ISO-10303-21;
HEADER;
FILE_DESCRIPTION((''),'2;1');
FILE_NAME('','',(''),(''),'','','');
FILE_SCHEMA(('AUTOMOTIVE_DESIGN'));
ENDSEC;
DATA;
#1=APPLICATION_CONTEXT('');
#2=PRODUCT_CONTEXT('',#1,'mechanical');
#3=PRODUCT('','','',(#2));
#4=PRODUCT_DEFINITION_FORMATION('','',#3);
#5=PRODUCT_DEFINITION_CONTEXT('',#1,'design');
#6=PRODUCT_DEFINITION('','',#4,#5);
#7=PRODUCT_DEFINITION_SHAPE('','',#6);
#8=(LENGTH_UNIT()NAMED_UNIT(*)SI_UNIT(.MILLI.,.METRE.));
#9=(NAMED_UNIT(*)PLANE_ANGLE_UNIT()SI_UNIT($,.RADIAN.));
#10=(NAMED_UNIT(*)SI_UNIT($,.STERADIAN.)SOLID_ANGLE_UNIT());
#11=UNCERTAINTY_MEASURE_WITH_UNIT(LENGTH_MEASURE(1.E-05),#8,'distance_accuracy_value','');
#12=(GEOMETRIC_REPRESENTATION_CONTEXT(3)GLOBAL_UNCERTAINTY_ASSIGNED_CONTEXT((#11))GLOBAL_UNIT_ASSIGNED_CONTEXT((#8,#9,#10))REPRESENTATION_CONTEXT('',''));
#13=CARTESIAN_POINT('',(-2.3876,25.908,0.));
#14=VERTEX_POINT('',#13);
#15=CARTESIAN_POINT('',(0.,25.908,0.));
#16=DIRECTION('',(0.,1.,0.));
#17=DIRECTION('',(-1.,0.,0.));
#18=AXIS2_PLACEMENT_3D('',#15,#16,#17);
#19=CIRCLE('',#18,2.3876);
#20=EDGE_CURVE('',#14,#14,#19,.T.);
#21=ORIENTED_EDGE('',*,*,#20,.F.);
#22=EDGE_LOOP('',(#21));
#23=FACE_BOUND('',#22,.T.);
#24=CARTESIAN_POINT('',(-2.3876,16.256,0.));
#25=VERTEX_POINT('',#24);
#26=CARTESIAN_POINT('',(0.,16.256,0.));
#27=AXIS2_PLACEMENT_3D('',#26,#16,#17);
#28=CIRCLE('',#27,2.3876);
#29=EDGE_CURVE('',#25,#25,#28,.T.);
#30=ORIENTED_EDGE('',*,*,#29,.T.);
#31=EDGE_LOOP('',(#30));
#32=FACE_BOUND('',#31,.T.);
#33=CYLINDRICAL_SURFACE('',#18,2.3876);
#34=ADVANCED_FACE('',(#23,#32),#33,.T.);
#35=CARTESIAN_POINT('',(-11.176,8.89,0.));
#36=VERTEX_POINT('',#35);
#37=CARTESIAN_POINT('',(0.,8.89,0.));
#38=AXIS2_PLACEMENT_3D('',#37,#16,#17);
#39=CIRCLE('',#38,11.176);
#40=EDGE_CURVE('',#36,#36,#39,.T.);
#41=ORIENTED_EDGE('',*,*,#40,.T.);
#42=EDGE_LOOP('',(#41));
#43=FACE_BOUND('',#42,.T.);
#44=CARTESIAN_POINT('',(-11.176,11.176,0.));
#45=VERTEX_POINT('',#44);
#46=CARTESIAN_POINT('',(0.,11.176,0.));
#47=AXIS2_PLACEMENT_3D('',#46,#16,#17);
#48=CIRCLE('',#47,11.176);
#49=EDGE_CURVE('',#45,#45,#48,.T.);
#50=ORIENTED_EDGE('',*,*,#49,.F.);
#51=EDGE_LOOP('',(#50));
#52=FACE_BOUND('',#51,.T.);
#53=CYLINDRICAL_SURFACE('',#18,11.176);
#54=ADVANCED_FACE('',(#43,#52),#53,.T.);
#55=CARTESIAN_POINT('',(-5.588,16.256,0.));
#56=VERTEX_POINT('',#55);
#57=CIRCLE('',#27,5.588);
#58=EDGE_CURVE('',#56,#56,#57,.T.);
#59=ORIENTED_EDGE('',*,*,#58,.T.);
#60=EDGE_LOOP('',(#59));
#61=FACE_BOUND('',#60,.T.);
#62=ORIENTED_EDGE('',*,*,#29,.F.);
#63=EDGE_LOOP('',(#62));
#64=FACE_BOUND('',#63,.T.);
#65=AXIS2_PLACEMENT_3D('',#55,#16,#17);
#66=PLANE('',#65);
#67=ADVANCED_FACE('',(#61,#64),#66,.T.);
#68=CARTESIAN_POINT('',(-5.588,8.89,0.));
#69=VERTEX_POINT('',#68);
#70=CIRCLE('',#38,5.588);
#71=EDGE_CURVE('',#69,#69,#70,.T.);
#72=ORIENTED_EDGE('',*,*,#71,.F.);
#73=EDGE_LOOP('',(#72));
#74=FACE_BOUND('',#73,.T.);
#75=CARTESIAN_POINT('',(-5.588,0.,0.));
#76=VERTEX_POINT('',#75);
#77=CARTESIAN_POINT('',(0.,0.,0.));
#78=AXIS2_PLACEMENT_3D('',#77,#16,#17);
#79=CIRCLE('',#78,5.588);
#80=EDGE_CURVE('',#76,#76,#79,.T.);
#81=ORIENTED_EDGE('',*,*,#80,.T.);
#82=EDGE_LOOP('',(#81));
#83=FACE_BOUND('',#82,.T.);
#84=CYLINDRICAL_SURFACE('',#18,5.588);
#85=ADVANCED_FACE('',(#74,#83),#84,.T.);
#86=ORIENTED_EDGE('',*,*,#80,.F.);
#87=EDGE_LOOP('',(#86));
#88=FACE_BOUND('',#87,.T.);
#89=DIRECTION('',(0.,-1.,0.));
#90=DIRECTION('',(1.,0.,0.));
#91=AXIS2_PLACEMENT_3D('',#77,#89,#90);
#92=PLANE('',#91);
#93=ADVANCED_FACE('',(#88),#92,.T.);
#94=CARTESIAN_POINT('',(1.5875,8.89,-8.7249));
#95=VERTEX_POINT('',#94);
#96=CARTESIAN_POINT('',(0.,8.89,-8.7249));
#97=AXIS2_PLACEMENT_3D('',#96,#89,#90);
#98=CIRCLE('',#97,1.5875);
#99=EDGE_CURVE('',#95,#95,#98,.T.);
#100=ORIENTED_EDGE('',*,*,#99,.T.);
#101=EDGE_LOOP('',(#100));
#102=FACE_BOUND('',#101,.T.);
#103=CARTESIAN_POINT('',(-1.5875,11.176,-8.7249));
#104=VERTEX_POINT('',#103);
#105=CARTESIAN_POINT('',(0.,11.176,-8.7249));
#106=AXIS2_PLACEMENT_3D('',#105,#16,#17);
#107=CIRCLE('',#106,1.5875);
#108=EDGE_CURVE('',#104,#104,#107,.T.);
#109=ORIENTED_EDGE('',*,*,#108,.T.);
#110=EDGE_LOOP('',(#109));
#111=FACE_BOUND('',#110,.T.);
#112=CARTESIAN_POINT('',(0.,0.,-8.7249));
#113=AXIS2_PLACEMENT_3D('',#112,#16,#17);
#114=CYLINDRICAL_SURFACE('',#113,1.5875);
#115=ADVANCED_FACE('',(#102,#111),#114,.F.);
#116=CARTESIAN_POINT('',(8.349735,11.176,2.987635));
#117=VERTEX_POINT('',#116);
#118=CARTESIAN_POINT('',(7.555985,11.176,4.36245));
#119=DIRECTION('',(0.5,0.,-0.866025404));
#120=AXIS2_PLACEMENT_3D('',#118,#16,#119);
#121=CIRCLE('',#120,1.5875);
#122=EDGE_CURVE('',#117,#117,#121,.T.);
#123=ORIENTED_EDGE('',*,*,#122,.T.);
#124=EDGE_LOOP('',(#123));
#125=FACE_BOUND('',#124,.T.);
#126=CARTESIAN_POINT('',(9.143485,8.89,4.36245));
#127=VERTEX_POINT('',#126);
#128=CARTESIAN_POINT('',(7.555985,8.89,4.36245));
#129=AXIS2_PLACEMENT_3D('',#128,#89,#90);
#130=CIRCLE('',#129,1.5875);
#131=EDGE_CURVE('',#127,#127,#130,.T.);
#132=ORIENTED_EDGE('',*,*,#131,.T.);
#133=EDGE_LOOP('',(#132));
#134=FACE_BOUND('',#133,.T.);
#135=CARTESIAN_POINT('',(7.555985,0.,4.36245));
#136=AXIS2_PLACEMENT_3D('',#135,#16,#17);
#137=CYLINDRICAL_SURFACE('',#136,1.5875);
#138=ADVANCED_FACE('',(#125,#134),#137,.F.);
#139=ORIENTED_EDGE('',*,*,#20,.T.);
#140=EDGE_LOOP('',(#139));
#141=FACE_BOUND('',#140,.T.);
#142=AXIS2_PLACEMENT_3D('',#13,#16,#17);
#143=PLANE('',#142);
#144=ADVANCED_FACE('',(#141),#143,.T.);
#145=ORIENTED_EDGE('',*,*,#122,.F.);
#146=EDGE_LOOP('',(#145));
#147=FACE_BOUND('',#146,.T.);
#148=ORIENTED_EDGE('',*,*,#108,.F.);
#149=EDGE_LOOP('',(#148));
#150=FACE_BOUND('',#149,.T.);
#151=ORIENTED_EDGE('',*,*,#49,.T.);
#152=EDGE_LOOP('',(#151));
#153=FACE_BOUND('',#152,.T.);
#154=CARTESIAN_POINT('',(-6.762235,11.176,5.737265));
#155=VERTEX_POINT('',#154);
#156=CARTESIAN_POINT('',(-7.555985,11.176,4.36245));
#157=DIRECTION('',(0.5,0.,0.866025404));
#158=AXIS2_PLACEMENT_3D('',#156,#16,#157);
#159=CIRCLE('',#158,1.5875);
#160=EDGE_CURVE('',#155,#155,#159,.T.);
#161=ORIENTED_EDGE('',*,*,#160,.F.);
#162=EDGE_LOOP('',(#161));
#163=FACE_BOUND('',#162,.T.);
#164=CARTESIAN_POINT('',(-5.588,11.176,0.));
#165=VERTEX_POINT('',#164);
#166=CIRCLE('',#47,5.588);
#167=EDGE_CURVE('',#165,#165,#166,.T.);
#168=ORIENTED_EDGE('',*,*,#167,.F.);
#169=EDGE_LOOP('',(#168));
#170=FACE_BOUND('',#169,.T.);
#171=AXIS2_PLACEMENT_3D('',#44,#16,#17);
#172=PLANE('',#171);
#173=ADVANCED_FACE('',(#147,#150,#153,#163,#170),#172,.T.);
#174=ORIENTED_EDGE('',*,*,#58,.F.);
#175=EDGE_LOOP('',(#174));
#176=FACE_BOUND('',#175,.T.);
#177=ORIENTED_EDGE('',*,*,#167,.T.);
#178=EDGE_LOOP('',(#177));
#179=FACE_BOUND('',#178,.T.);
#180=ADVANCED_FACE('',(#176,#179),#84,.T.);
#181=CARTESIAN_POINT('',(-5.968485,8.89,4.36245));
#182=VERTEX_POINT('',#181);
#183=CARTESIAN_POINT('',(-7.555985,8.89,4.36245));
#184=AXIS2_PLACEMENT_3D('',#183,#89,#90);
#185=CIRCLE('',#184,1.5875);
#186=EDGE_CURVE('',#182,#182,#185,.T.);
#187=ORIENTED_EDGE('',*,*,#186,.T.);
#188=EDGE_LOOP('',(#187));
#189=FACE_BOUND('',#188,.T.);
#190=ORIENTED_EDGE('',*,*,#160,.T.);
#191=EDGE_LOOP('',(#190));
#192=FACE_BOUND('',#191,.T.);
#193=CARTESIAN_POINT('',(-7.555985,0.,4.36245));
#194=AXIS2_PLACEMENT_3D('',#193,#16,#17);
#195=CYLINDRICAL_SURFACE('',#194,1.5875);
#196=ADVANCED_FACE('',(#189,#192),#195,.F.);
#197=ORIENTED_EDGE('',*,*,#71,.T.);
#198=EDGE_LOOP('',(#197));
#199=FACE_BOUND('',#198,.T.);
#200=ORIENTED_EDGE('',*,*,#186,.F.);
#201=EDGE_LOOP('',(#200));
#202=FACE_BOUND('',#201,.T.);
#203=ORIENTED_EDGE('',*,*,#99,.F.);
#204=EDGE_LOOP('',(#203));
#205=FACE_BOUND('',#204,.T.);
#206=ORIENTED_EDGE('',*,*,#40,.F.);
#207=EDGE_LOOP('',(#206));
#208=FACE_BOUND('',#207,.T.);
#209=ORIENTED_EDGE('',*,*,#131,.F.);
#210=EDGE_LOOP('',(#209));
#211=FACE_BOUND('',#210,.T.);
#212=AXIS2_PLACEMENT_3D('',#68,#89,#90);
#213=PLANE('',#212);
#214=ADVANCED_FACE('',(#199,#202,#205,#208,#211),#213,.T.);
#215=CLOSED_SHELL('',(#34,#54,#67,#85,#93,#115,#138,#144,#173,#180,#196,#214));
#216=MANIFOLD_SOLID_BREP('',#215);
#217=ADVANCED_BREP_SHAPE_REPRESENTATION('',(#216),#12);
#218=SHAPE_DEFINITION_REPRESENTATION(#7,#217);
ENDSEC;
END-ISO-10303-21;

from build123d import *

# Parameters (mm, degrees)
SKETCH2_R          = 1.5875
CUT_EXTRUDE1_DEPTH = 12.176
CIRPATTERN1_COUNT  = 3


with BuildPart() as part:
    # Sketch1 → Revolve1 (revolve)
    with BuildSketch(Plane.XY):
        Polygon((-5.588, 0), (-5.588, 8.89), (-11.176, 8.89), (-11.176, 11.176), (-5.588, 11.176), (-5.588, 16.256), (-2.3876, 16.256), (-2.3876, 25.908), (0, 25.908), (0, 0), align=None)
    revolve(axis=Axis((0, 25.908, 0), (0, -1, 0)))

    # Sketch2 → Cut-Extrude1 (cut, through all)
    with BuildSketch(Plane(origin=(0, 11.176, 0), x_dir=(1, 0, 0), z_dir=(0, 1, 0))):
        with Locations((0, 8.7249)):
            Circle(SKETCH2_R)
    cut_extrude1 = extrude(amount=-CUT_EXTRUDE1_DEPTH, mode=Mode.SUBTRACT)

    # CirPattern1: Cut-Extrude1 ×3 about axis
    cirpattern1_axis = Axis((0, 0, 0), (0, 1, 0))
    for i in range(1, CIRPATTERN1_COUNT):
        add(cut_extrude1.rotate(cirpattern1_axis, i * 360 / CIRPATTERN1_COUNT), mode=Mode.SUBTRACT)


solid = part.part
